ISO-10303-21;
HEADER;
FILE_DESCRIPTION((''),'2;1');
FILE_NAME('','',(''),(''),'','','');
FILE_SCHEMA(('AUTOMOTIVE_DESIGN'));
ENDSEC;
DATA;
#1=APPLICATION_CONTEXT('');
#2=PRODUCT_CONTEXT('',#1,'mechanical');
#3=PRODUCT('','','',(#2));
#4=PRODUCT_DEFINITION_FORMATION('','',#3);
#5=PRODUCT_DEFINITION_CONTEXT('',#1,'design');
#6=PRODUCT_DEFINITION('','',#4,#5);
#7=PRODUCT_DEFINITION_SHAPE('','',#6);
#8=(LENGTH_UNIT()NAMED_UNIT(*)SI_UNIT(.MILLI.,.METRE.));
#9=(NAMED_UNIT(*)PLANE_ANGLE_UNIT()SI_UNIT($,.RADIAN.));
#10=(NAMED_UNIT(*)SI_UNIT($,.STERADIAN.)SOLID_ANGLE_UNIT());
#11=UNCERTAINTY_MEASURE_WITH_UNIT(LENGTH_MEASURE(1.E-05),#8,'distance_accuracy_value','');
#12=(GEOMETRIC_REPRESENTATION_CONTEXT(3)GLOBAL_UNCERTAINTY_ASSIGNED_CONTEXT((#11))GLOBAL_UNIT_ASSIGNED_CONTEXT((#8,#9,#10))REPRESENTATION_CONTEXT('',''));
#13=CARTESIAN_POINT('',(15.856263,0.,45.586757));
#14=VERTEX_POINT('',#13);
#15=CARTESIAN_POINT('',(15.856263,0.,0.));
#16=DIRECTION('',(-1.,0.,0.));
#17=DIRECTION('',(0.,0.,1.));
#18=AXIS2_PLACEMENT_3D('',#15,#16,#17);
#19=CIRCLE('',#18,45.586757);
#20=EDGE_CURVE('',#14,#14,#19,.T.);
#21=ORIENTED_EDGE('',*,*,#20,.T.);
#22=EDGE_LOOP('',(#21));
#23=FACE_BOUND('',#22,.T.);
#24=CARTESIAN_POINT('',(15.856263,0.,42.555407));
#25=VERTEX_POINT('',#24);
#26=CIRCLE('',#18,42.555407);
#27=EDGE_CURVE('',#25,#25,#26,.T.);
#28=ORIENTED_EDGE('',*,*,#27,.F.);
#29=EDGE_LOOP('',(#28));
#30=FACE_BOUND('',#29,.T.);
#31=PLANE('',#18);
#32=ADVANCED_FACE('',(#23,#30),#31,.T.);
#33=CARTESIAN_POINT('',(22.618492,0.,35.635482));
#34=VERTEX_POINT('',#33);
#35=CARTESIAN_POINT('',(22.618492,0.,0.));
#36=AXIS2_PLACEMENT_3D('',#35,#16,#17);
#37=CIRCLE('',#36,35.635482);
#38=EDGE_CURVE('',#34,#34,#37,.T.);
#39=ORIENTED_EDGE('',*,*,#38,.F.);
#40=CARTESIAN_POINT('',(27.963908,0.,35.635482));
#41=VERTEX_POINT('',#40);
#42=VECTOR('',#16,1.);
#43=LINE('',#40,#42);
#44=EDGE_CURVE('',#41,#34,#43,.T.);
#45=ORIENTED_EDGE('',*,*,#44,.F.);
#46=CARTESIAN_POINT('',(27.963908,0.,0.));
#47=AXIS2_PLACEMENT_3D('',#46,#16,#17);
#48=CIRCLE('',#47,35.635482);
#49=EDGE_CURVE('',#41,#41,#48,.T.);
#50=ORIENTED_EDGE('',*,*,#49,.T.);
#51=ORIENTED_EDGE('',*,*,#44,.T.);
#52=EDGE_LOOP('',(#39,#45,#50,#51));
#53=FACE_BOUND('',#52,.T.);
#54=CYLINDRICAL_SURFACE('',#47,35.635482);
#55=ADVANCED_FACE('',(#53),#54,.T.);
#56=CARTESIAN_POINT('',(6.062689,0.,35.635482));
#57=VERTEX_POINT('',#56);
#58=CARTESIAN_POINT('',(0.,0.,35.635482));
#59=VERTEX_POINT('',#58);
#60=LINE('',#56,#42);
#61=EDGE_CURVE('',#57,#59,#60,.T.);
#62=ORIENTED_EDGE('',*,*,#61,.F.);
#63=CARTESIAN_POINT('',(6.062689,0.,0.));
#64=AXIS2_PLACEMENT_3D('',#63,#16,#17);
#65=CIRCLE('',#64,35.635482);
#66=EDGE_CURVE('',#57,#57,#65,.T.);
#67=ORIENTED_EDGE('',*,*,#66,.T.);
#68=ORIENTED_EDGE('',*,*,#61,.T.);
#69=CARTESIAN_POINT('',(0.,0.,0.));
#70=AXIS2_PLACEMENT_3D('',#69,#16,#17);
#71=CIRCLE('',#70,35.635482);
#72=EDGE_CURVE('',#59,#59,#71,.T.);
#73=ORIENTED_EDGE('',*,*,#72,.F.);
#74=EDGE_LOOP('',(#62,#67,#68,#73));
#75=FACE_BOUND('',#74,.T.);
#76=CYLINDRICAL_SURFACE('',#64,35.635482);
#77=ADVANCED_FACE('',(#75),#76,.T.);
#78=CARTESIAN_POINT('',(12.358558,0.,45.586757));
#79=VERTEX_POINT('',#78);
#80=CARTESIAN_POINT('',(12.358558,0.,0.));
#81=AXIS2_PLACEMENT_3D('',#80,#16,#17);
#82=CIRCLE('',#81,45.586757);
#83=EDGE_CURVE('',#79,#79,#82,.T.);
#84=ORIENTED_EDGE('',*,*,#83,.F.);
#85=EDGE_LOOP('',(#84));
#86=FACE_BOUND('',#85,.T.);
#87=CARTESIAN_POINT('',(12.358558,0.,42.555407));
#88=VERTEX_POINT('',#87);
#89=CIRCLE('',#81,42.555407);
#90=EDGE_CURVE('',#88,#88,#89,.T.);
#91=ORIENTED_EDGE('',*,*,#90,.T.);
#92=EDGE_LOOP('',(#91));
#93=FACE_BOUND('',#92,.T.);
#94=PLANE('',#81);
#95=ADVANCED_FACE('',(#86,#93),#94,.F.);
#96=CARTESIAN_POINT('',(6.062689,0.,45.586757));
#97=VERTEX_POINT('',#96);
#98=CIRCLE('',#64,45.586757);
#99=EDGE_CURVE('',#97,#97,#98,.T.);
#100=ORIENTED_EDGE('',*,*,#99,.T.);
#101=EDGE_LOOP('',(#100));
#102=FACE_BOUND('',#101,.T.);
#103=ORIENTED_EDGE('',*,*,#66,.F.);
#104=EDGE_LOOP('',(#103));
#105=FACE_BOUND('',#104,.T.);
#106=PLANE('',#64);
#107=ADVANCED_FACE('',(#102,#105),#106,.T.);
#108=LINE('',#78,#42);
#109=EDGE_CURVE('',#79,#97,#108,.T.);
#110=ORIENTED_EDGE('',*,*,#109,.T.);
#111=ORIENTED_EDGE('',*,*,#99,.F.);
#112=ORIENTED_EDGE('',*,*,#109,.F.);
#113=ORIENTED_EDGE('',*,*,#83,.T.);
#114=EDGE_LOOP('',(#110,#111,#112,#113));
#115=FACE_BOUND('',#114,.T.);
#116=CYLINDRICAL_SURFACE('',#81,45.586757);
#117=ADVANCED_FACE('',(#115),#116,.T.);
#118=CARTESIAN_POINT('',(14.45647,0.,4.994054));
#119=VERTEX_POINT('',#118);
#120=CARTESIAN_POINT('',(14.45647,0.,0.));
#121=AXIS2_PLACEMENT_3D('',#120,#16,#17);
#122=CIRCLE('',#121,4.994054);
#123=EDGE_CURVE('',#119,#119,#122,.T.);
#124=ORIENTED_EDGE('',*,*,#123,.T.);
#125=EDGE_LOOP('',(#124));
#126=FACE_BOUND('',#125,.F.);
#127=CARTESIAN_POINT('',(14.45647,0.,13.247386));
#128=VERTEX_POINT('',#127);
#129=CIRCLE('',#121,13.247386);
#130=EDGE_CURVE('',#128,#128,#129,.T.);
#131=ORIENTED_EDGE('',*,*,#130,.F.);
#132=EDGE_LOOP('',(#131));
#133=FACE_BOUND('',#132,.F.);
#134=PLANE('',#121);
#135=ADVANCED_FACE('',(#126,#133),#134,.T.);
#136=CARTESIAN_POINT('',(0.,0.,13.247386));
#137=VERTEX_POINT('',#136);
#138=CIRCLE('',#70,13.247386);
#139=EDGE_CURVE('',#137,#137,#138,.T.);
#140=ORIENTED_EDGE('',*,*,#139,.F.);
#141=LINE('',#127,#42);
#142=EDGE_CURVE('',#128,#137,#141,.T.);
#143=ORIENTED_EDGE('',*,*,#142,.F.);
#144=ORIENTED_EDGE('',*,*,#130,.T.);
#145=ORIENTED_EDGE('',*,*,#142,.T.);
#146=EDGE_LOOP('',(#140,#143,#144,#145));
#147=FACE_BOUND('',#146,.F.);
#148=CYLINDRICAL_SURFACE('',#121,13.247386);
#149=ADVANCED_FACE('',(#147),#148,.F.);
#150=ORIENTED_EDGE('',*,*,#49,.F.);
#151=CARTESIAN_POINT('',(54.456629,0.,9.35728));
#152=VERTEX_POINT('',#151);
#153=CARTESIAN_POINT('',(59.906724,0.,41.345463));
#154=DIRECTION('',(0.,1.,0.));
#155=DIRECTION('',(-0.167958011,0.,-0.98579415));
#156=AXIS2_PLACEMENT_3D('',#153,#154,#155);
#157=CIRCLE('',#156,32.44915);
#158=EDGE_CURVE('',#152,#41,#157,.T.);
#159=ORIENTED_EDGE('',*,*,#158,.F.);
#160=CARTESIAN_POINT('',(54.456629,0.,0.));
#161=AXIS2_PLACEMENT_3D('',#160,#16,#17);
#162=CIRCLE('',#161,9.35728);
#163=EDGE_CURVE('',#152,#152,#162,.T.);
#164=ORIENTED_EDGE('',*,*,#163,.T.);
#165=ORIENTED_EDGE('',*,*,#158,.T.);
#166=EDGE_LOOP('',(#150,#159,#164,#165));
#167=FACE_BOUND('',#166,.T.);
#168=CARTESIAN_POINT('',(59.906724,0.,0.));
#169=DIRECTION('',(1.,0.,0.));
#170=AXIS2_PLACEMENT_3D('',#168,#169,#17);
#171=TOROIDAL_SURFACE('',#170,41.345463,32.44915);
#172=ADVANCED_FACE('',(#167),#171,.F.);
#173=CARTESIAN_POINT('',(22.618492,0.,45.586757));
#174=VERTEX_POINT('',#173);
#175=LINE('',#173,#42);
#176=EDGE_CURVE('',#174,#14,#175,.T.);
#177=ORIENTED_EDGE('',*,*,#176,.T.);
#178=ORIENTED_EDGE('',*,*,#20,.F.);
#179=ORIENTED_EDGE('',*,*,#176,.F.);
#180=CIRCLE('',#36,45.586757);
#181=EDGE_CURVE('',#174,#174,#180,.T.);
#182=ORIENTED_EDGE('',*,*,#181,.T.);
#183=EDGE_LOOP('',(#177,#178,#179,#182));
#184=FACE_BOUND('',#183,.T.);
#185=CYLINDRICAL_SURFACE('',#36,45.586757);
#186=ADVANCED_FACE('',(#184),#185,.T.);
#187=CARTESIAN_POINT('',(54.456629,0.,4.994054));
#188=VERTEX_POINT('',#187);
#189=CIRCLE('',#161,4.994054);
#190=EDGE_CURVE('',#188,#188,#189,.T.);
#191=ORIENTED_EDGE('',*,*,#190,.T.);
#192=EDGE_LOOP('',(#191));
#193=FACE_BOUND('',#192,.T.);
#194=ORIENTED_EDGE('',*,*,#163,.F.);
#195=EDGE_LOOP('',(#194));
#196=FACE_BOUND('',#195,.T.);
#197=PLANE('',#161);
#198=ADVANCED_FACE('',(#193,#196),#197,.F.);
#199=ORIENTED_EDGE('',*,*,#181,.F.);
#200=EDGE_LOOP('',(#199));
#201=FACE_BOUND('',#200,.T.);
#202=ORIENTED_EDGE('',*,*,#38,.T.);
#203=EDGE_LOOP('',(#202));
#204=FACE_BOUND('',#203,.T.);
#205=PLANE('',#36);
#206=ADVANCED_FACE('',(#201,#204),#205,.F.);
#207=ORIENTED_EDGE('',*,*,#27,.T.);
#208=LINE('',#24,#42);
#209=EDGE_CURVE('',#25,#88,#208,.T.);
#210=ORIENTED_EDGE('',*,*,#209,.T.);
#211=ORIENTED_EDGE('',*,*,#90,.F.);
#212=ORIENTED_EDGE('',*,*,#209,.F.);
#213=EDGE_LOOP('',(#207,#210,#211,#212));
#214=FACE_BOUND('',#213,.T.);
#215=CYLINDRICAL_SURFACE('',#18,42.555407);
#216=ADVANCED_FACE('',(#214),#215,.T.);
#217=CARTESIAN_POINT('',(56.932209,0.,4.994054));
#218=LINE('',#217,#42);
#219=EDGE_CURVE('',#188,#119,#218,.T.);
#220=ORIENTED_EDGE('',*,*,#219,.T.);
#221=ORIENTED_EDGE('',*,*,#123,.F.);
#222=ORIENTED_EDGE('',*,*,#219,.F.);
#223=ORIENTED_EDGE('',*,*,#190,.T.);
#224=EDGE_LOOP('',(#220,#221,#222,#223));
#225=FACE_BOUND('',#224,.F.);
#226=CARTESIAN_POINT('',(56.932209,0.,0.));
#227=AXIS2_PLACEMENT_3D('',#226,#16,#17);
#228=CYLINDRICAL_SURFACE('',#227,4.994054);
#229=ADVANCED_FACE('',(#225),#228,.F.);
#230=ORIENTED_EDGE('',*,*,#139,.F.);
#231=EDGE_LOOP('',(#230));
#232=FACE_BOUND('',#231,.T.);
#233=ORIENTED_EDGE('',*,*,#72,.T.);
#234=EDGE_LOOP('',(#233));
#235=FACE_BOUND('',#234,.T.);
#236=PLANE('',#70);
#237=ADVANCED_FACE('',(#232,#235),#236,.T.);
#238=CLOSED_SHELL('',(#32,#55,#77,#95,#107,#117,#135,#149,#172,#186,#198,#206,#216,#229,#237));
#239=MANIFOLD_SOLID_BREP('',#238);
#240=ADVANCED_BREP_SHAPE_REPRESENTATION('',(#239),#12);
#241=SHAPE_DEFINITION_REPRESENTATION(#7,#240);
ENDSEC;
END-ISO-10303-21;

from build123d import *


with BuildPart() as f1:
    # F0 (on Front) → F1 (revolve)
    with BuildSketch(Plane.XZ):
        with BuildLine():
            Line((0, 35.635482), (0, 0))
            Line((0, 0), (54.456629, 0))
            Line((54.456629, 0), (54.456629, 9.35728))
            ThreePointArc((54.456629, 9.35728), (37.055172, 18.307365), (27.963908, 35.635482))
            Line((27.963908, 35.635482), (22.618492, 35.635482))
            Line((22.618492, 35.635482), (22.618492, 45.586757))
            Line((22.618492, 45.586757), (15.856263, 45.586757))
            Line((15.856263, 45.586757), (15.856263, 42.555407))
            Line((15.856263, 42.555407), (12.358558, 42.555407))
            Line((12.358558, 42.555407), (12.358558, 45.586757))
            Line((12.358558, 45.586757), (6.062689, 45.586757))
            Line((6.062689, 45.586757), (6.062689, 35.635482))
            Line((6.062689, 35.635482), (0, 35.635482))
        make_face()
    revolve(axis=Axis((27.228314, 0, 0), (-1, 0, 0)))

    # F2 (on Front) → F3 (revolve, cut)
    with BuildSketch(Plane.XZ):
        Polygon((0, 13.247386), (0, 0), (56.932209, 0), (56.932209, 4.994054), (14.45647, 4.994054), (14.45647, 13.247386), align=None)
    revolve(axis=Axis((28.466105, 0, 0), (-1, 0, 0)), mode=Mode.SUBTRACT)


solid = f1.part
